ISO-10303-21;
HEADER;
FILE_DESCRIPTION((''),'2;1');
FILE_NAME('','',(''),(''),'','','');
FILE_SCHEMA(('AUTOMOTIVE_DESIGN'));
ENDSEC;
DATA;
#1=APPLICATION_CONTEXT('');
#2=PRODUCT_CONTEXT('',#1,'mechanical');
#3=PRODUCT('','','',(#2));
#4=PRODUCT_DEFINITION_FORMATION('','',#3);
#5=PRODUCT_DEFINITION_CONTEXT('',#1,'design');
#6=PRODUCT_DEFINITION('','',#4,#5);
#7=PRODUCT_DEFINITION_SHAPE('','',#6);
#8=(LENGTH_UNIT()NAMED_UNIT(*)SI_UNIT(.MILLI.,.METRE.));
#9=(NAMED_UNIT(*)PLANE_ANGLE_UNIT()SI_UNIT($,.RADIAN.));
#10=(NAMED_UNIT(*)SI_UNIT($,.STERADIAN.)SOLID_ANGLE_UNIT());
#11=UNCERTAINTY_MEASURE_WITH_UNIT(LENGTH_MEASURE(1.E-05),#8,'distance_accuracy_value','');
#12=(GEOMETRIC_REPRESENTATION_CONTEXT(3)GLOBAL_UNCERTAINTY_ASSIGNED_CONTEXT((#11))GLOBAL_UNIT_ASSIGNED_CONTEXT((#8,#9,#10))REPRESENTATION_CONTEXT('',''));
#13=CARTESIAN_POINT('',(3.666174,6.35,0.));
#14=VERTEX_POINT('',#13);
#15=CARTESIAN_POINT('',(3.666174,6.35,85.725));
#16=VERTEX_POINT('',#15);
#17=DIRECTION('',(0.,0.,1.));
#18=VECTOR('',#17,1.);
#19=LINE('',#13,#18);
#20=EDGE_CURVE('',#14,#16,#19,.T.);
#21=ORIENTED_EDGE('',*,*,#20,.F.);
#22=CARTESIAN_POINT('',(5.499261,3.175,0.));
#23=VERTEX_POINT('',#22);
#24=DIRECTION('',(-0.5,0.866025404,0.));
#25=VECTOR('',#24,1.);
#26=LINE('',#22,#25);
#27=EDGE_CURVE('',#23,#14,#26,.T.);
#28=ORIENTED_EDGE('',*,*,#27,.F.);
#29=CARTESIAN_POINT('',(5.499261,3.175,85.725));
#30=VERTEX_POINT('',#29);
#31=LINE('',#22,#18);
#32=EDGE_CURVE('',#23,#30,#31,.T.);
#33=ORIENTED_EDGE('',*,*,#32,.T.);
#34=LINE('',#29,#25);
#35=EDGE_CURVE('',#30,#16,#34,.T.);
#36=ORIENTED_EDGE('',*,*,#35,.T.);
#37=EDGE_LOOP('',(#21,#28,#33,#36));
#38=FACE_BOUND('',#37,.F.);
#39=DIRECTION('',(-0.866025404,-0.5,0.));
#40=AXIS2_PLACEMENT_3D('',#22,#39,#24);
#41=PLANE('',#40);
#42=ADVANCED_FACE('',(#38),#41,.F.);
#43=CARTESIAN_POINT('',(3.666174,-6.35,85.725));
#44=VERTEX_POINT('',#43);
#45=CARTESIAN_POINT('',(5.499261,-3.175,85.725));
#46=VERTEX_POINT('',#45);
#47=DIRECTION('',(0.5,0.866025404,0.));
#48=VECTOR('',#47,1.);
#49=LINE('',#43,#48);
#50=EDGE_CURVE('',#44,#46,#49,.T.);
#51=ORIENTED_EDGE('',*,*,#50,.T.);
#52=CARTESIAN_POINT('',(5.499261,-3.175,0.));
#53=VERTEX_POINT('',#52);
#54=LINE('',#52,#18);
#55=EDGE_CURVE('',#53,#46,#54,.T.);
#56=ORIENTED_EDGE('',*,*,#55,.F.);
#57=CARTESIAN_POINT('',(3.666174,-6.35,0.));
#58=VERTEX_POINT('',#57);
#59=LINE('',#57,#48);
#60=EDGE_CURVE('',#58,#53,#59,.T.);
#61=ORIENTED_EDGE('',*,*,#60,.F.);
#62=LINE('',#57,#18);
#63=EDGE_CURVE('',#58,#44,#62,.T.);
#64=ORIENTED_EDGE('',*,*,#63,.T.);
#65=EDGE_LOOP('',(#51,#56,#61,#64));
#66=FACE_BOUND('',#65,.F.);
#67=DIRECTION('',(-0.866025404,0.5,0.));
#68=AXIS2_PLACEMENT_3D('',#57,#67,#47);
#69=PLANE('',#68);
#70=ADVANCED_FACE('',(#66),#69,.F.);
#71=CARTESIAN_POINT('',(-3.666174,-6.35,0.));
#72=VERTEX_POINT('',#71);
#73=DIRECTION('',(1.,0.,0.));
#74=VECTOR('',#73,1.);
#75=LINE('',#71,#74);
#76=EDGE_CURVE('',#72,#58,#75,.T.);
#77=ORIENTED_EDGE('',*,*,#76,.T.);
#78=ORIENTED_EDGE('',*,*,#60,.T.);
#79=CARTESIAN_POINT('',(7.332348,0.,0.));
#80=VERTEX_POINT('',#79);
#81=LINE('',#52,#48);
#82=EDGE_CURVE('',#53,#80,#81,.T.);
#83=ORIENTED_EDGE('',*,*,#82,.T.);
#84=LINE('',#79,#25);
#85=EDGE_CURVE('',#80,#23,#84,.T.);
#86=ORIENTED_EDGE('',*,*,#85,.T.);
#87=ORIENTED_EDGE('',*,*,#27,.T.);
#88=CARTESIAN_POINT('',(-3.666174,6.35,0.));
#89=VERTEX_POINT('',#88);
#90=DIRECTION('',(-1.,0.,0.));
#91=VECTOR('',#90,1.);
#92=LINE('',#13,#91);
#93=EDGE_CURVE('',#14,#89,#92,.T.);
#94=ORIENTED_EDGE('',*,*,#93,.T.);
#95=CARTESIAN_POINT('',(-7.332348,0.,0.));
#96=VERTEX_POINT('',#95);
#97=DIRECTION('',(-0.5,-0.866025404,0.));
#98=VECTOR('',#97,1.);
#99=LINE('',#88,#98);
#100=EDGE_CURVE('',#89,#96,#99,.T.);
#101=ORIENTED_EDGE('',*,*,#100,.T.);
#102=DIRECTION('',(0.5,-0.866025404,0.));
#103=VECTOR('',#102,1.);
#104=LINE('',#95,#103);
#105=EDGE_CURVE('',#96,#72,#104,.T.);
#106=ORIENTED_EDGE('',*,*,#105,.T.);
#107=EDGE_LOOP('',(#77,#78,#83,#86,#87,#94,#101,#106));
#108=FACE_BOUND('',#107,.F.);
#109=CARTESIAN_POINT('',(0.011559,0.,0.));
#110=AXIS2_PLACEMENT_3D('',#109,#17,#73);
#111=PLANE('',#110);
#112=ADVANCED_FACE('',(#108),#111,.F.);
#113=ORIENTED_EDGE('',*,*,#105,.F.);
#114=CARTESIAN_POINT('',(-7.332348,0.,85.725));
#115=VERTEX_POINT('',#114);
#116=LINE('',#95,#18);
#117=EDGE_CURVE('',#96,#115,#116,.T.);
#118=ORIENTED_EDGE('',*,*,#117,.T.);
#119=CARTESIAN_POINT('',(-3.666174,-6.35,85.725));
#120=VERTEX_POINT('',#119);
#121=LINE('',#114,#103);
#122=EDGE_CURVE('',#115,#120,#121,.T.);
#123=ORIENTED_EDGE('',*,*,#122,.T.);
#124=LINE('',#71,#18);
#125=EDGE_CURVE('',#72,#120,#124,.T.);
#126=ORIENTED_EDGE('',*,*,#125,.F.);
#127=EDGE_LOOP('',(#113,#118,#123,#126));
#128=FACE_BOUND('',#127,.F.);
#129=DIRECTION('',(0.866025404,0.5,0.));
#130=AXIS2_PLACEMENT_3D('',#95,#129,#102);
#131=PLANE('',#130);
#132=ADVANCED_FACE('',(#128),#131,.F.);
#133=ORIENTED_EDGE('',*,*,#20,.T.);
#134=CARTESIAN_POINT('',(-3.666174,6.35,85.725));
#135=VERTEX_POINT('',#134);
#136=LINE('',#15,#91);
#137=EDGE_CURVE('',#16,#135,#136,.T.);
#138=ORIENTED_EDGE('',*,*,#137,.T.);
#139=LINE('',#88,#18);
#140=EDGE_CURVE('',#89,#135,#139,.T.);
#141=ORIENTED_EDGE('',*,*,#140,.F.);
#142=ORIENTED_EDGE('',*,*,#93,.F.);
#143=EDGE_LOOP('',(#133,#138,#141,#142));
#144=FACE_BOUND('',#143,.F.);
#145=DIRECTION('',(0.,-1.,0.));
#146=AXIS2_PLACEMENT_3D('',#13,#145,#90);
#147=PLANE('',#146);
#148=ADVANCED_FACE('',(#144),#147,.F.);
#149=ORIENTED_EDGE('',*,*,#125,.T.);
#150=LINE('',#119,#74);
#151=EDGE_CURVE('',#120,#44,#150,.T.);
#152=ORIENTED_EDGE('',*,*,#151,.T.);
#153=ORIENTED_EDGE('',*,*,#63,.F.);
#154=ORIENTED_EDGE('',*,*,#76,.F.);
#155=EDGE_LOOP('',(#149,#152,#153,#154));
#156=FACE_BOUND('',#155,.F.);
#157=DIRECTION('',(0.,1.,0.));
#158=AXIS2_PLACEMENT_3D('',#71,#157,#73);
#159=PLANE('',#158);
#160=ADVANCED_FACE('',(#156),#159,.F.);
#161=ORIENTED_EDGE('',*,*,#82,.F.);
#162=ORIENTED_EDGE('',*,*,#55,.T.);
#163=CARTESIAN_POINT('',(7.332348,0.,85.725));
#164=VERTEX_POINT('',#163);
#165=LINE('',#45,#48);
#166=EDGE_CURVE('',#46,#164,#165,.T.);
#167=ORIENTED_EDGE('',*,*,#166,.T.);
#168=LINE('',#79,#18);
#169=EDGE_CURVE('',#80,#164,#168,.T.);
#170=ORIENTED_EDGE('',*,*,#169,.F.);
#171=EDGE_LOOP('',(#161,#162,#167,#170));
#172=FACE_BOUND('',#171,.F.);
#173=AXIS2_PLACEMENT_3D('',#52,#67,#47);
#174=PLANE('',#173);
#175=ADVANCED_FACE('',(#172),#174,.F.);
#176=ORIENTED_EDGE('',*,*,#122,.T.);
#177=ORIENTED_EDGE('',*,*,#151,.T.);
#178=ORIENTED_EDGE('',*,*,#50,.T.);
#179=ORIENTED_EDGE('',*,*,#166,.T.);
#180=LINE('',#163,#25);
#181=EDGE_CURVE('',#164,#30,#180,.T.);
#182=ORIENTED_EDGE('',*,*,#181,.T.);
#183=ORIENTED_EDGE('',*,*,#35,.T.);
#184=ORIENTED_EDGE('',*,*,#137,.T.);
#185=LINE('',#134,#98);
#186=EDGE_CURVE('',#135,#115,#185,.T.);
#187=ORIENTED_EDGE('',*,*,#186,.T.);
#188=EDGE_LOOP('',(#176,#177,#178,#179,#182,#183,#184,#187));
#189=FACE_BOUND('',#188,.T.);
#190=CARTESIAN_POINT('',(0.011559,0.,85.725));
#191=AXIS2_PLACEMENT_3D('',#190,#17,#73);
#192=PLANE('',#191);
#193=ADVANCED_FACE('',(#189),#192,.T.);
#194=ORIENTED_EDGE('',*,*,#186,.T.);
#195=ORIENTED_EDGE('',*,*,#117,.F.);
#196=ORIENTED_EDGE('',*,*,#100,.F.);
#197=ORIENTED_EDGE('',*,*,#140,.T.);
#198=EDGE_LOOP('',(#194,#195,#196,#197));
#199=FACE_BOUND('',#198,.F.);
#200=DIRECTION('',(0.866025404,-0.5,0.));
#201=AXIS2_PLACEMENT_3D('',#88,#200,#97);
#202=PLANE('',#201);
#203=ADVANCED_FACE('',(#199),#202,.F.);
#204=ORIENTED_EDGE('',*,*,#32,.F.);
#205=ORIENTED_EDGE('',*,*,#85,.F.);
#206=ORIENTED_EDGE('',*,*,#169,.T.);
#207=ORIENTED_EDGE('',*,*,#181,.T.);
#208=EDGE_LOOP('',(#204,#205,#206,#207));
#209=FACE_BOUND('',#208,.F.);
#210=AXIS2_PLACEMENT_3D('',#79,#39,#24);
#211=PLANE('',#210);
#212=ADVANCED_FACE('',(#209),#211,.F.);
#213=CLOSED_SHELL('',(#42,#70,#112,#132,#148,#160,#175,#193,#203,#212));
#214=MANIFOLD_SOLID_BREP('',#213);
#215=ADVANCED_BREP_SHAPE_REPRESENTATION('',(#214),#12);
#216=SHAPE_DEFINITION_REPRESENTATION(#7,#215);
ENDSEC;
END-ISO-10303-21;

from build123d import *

# Parameters (mm, degrees)
F1_DEPTH = 85.725


with BuildPart() as f1:
    # F0 (on Top) → F1 (new body)
    with BuildSketch(Plane.XY):
        with BuildLine():
            ThreePointArc((5.4992612751, -3.1750000674), (6.1336289869, -1.643500974), (6.35, 0))
            ThreePointArc((6.35, 0), (6.1336289976, 1.6435009339), (5.4992613166, 3.1749999956))
            ThreePointArc((5.4992613166, 3.1749999956), (3.1750000022, 5.4992613128), (0, 6.35))
            ThreePointArc((0, 6.35), (-3.175000032, 5.4992612955), (-5.499261351, 3.174999936))
            ThreePointArc((-5.499261351, 3.174999936), (-6.35, 0), (-5.499261351, -3.174999936))
            ThreePointArc((-5.499261351, -3.174999936), (-3.175000032, -5.4992612955), (0, -6.35))
            ThreePointArc((0, -6.35), (3.1749999663, -5.4992613335), (5.4992612751, -3.1750000674))
        make_face()
        with BuildLine():
            ThreePointArc((5.4992613166, 3.1749999956), (6.1336289976, 1.6435009339), (6.35, 0))
            ThreePointArc((6.35, 0), (6.1336289869, -1.643500974), (5.4992612751, -3.1750000674))
            Line((5.4992612751, -3.1750000674), (7.3323484187, 0))
            Line((7.3323484187, 0), (5.4992613166, 3.1749999956))
        make_face()
        with BuildLine():
            ThreePointArc((0, 6.35), (3.1750000022, 5.4992613128), (5.4992613166, 3.1749999956))
            Line((5.4992613166, 3.1749999956), (3.6661742094, 6.35))
            Line((3.6661742094, 6.35), (0, 6.35))
        make_face()
        with BuildLine():
            Line((3.6661742094, -6.35), (5.4992612751, -3.1750000674))
            ThreePointArc((5.4992612751, -3.1750000674), (3.1749999663, -5.4992613335), (0, -6.35))
            Line((0, -6.35), (3.6661742094, -6.35))
        make_face()
        with BuildLine():
            ThreePointArc((-5.499261351, 3.174999936), (-3.175000032, 5.4992612955), (0, 6.35))
            Line((0, 6.35), (-3.6661742094, 6.35))
            Line((-3.6661742094, 6.35), (-5.499261351, 3.174999936))
        make_face()
        with BuildLine():
            Line((-3.6661742094, -6.35), (0, -6.35))
            ThreePointArc((0, -6.35), (-3.175000032, -5.4992612955), (-5.499261351, -3.174999936))
            Line((-5.499261351, -3.174999936), (-3.6661742094, -6.35))
        make_face()
        with BuildLine():
            ThreePointArc((-5.499261351, -3.174999936), (-6.35, 0), (-5.499261351, 3.174999936))
            Line((-5.499261351, 3.174999936), (-7.3323484187, 0))
            Line((-7.3323484187, 0), (-5.499261351, -3.174999936))
        make_face()
    extrude(amount=F1_DEPTH)


solid = f1.part
